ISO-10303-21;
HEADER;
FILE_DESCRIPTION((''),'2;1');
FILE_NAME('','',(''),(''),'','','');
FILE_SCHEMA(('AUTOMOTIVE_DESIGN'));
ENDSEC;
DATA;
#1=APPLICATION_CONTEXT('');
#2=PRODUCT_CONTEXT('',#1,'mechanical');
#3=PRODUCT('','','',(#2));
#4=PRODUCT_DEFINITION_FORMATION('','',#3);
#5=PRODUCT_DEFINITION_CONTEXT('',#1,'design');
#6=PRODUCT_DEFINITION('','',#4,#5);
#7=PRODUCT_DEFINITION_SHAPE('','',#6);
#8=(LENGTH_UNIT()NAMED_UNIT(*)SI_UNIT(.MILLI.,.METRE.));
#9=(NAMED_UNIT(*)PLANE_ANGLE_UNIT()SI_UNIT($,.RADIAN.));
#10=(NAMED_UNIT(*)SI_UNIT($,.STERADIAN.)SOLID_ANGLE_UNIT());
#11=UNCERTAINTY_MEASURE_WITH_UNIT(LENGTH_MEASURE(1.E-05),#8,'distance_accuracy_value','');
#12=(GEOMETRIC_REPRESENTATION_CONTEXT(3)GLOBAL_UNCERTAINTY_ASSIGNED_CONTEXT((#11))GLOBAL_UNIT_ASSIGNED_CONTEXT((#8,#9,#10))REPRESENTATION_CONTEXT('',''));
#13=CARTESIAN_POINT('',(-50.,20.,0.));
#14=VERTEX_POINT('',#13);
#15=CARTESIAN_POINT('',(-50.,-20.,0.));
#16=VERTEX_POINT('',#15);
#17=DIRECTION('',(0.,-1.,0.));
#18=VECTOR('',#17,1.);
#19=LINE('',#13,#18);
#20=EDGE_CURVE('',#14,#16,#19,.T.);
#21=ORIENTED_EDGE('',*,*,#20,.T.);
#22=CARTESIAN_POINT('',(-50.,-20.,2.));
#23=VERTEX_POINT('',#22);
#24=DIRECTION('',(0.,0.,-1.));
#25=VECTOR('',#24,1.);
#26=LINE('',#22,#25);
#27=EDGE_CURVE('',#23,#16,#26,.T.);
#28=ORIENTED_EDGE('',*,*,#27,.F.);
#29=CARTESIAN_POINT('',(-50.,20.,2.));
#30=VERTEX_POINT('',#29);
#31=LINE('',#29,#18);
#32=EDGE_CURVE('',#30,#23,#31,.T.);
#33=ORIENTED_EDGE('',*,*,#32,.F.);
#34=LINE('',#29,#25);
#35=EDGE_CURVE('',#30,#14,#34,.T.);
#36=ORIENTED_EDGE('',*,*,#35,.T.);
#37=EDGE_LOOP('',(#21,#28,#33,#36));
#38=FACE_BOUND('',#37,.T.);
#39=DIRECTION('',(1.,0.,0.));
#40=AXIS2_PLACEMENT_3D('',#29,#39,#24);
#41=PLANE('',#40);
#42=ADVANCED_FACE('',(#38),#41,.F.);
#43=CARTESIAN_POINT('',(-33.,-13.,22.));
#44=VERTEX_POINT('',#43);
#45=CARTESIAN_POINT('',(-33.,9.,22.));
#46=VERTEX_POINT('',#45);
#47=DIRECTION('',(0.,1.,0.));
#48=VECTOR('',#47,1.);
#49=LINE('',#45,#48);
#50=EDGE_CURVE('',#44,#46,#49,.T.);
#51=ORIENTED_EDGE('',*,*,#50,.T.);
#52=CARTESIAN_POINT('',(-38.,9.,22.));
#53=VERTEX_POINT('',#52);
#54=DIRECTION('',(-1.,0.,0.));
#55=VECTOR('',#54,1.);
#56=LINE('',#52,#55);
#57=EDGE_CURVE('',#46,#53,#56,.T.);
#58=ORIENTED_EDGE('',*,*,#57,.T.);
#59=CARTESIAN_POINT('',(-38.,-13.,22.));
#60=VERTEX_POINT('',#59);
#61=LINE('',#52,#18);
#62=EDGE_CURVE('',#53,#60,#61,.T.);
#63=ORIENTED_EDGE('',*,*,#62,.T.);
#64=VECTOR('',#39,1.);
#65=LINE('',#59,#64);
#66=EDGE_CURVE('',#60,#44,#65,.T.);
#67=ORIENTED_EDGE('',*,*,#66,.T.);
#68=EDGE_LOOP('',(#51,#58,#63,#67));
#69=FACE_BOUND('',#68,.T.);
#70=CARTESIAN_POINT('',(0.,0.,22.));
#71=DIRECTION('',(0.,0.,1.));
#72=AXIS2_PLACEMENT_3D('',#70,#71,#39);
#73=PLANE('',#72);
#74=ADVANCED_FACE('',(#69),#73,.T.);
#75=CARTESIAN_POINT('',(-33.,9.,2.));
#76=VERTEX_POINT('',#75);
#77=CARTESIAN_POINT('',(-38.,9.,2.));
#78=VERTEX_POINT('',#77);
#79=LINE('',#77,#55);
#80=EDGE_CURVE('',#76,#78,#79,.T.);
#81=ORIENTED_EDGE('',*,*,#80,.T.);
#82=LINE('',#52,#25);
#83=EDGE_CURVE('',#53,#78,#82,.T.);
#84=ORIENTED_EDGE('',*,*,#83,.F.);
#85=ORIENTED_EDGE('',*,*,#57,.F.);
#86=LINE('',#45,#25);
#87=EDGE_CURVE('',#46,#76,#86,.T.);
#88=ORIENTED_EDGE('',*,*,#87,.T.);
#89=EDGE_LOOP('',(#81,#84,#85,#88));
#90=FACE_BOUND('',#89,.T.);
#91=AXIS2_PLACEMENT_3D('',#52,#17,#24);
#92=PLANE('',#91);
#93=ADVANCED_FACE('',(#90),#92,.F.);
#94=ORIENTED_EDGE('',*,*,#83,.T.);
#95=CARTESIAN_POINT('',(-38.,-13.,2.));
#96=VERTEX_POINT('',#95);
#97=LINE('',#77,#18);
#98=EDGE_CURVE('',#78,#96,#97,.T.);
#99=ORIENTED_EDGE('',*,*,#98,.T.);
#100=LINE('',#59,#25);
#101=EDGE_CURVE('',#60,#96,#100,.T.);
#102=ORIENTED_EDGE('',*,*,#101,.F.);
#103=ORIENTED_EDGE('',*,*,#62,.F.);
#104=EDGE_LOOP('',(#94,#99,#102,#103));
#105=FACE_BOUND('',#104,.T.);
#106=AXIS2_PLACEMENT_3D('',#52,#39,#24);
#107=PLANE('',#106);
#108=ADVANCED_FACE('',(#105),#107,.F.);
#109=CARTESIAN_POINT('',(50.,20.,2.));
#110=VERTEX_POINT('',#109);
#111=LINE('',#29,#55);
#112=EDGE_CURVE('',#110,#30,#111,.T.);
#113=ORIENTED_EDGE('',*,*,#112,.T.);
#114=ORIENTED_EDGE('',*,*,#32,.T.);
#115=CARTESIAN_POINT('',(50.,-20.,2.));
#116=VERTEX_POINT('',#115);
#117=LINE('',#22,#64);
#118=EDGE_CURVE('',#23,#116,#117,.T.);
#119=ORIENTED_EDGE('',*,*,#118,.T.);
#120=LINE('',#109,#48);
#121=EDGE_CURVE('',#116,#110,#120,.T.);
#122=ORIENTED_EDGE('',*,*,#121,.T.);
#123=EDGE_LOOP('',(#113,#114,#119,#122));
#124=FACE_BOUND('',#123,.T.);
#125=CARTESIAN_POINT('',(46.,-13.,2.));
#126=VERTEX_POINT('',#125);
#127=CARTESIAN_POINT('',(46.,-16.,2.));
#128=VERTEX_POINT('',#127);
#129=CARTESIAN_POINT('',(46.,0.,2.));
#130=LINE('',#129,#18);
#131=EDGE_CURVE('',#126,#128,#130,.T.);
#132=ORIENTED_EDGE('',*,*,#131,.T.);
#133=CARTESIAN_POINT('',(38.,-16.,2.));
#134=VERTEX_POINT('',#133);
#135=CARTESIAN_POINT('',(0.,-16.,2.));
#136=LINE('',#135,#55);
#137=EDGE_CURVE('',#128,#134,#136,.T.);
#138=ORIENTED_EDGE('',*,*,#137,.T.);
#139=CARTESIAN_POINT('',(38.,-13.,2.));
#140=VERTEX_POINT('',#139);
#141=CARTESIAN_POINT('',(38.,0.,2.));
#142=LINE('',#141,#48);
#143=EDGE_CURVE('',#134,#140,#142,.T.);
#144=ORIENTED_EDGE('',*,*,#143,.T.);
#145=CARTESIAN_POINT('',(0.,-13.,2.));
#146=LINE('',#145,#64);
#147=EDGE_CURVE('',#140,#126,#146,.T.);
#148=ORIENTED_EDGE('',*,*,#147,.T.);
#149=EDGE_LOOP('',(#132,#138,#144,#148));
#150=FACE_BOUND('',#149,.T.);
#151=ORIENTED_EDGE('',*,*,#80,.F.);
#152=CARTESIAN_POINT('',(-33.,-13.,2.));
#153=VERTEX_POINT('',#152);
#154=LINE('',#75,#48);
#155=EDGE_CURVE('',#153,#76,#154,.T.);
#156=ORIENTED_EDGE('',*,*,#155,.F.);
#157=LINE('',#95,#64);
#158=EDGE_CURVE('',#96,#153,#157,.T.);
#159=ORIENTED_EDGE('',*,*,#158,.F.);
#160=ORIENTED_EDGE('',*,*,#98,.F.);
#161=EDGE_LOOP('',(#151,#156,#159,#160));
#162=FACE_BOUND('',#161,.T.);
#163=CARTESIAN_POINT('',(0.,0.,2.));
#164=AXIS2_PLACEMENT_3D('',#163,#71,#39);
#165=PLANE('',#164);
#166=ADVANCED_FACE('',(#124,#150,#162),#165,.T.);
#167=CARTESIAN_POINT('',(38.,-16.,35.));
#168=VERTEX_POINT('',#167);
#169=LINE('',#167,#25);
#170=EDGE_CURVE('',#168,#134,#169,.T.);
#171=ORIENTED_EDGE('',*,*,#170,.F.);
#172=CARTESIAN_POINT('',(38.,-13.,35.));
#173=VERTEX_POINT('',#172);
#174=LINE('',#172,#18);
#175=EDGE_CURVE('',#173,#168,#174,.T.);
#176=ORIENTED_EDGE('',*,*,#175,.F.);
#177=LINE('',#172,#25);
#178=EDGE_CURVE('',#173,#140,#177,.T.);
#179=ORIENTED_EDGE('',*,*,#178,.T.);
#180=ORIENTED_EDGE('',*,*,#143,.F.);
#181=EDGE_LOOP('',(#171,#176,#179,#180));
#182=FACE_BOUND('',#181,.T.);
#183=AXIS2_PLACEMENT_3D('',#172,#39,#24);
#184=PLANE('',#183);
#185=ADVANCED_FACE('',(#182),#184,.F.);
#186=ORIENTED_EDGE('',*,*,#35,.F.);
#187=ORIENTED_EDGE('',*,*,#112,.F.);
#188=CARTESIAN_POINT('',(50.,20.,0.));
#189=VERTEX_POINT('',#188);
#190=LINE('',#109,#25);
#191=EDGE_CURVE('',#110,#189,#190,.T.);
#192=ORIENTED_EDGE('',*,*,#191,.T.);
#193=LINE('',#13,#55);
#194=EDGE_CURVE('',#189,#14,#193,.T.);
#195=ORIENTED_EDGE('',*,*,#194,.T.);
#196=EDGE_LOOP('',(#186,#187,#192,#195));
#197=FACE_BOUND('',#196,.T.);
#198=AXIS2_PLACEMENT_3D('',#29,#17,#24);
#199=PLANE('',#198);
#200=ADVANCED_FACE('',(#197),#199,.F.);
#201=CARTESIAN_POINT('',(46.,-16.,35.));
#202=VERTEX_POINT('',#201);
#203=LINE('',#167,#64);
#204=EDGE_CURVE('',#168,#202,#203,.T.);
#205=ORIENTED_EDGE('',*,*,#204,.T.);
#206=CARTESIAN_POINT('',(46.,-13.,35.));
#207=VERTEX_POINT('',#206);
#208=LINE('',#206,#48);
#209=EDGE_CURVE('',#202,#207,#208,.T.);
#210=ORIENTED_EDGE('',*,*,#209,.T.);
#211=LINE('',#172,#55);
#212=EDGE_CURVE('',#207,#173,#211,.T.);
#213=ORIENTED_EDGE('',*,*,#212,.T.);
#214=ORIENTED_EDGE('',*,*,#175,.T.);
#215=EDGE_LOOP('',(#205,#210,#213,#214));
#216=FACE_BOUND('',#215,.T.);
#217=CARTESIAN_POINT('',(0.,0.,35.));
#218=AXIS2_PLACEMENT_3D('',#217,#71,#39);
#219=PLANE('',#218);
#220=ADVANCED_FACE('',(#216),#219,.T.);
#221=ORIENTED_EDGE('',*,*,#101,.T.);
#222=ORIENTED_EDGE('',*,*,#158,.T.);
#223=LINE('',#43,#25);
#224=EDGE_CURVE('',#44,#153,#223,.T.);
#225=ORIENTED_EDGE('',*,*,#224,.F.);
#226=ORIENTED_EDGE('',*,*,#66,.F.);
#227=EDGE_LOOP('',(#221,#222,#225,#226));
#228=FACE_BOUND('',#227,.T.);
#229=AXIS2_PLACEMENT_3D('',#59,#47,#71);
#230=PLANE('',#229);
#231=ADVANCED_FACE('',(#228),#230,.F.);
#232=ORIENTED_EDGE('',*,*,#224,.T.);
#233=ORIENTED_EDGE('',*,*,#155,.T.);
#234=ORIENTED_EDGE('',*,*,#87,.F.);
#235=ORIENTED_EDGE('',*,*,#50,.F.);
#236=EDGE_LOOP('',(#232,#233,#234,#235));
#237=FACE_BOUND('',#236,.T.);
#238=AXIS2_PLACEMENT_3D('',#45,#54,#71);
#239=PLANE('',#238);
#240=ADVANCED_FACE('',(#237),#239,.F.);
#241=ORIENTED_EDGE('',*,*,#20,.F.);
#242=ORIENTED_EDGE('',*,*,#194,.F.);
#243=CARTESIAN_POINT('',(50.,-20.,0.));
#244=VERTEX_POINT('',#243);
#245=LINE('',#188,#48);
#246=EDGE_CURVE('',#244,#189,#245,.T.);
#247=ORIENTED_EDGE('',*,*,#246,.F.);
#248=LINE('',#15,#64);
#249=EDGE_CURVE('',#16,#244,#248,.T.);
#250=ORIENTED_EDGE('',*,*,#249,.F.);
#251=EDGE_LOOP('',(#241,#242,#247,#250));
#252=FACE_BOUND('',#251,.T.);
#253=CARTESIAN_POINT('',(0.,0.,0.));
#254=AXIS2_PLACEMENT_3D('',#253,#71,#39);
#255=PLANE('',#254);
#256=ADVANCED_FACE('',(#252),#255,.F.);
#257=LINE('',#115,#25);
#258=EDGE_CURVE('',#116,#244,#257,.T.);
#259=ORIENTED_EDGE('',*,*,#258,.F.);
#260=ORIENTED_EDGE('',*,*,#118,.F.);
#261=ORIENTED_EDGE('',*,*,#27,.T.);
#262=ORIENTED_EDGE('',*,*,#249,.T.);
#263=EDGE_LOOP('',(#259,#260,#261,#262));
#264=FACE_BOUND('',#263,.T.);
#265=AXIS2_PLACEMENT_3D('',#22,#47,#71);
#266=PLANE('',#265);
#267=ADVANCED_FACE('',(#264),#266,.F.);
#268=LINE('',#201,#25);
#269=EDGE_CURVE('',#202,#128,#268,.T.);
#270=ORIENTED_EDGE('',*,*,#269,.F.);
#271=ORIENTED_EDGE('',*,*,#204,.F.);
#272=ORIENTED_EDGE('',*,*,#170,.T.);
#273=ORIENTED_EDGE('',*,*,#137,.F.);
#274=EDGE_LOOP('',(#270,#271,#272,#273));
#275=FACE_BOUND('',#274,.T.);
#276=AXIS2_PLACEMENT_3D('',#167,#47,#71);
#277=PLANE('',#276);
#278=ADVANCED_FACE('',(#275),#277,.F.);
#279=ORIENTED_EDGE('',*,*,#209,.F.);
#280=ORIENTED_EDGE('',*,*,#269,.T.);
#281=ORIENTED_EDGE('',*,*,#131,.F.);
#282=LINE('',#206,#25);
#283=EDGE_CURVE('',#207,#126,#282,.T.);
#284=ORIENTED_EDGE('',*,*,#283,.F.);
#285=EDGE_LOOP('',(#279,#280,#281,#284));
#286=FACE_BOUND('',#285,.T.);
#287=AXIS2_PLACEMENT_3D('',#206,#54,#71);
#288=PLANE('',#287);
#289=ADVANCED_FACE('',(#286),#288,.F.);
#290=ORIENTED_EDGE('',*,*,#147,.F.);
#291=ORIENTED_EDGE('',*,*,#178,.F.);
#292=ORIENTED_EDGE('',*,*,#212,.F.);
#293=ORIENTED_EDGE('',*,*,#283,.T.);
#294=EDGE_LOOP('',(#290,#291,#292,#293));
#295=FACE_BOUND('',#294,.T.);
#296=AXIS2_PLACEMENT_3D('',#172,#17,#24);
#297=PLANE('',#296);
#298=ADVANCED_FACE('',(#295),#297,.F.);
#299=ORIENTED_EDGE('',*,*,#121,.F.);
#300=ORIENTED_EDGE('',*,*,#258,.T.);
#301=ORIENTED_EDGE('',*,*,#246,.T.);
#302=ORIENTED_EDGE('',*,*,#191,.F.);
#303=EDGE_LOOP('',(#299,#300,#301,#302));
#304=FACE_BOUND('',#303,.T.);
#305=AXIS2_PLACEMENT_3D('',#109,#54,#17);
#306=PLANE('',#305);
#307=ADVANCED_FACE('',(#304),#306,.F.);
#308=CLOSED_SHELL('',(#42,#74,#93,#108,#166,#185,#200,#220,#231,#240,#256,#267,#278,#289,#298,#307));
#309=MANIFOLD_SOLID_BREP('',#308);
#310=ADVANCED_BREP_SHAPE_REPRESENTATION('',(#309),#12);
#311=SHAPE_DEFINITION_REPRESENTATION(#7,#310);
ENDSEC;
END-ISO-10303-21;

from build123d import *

# Parameters (mm, degrees)
ESQUISSE1_W        = 100
ESQUISSE1_H        = 40
BOSS_EXTRU_1_DEPTH = 2
ESQUISSE3_W        = 5
ESQUISSE3_H        = 22
BOSS_EXTRU_2_DEPTH = 20
ESQUISSE4_W        = 8
ESQUISSE4_H        = 3
BOSS_EXTRU_3_DEPTH = 35


with BuildPart() as part:
    # Esquisse1 → Boss.-Extru.1 (new body)
    with BuildSketch(Plane.XY):
        Rectangle(ESQUISSE1_W, ESQUISSE1_H)
    extrude(amount=BOSS_EXTRU_1_DEPTH)

    # Esquisse3 → Boss.-Extru.2 (add)
    with BuildSketch(Plane.XY.offset(2)):
        with Locations((-35.5, -2)):
            Rectangle(ESQUISSE3_W, ESQUISSE3_H)
    extrude(amount=BOSS_EXTRU_2_DEPTH)

    # Esquisse4 → Boss.-Extru.3 (add)
    with BuildSketch(Plane.XY):
        with Locations((42, -14.5)):
            Rectangle(ESQUISSE4_W, ESQUISSE4_H)
    extrude(amount=BOSS_EXTRU_3_DEPTH)


solid = part.part
